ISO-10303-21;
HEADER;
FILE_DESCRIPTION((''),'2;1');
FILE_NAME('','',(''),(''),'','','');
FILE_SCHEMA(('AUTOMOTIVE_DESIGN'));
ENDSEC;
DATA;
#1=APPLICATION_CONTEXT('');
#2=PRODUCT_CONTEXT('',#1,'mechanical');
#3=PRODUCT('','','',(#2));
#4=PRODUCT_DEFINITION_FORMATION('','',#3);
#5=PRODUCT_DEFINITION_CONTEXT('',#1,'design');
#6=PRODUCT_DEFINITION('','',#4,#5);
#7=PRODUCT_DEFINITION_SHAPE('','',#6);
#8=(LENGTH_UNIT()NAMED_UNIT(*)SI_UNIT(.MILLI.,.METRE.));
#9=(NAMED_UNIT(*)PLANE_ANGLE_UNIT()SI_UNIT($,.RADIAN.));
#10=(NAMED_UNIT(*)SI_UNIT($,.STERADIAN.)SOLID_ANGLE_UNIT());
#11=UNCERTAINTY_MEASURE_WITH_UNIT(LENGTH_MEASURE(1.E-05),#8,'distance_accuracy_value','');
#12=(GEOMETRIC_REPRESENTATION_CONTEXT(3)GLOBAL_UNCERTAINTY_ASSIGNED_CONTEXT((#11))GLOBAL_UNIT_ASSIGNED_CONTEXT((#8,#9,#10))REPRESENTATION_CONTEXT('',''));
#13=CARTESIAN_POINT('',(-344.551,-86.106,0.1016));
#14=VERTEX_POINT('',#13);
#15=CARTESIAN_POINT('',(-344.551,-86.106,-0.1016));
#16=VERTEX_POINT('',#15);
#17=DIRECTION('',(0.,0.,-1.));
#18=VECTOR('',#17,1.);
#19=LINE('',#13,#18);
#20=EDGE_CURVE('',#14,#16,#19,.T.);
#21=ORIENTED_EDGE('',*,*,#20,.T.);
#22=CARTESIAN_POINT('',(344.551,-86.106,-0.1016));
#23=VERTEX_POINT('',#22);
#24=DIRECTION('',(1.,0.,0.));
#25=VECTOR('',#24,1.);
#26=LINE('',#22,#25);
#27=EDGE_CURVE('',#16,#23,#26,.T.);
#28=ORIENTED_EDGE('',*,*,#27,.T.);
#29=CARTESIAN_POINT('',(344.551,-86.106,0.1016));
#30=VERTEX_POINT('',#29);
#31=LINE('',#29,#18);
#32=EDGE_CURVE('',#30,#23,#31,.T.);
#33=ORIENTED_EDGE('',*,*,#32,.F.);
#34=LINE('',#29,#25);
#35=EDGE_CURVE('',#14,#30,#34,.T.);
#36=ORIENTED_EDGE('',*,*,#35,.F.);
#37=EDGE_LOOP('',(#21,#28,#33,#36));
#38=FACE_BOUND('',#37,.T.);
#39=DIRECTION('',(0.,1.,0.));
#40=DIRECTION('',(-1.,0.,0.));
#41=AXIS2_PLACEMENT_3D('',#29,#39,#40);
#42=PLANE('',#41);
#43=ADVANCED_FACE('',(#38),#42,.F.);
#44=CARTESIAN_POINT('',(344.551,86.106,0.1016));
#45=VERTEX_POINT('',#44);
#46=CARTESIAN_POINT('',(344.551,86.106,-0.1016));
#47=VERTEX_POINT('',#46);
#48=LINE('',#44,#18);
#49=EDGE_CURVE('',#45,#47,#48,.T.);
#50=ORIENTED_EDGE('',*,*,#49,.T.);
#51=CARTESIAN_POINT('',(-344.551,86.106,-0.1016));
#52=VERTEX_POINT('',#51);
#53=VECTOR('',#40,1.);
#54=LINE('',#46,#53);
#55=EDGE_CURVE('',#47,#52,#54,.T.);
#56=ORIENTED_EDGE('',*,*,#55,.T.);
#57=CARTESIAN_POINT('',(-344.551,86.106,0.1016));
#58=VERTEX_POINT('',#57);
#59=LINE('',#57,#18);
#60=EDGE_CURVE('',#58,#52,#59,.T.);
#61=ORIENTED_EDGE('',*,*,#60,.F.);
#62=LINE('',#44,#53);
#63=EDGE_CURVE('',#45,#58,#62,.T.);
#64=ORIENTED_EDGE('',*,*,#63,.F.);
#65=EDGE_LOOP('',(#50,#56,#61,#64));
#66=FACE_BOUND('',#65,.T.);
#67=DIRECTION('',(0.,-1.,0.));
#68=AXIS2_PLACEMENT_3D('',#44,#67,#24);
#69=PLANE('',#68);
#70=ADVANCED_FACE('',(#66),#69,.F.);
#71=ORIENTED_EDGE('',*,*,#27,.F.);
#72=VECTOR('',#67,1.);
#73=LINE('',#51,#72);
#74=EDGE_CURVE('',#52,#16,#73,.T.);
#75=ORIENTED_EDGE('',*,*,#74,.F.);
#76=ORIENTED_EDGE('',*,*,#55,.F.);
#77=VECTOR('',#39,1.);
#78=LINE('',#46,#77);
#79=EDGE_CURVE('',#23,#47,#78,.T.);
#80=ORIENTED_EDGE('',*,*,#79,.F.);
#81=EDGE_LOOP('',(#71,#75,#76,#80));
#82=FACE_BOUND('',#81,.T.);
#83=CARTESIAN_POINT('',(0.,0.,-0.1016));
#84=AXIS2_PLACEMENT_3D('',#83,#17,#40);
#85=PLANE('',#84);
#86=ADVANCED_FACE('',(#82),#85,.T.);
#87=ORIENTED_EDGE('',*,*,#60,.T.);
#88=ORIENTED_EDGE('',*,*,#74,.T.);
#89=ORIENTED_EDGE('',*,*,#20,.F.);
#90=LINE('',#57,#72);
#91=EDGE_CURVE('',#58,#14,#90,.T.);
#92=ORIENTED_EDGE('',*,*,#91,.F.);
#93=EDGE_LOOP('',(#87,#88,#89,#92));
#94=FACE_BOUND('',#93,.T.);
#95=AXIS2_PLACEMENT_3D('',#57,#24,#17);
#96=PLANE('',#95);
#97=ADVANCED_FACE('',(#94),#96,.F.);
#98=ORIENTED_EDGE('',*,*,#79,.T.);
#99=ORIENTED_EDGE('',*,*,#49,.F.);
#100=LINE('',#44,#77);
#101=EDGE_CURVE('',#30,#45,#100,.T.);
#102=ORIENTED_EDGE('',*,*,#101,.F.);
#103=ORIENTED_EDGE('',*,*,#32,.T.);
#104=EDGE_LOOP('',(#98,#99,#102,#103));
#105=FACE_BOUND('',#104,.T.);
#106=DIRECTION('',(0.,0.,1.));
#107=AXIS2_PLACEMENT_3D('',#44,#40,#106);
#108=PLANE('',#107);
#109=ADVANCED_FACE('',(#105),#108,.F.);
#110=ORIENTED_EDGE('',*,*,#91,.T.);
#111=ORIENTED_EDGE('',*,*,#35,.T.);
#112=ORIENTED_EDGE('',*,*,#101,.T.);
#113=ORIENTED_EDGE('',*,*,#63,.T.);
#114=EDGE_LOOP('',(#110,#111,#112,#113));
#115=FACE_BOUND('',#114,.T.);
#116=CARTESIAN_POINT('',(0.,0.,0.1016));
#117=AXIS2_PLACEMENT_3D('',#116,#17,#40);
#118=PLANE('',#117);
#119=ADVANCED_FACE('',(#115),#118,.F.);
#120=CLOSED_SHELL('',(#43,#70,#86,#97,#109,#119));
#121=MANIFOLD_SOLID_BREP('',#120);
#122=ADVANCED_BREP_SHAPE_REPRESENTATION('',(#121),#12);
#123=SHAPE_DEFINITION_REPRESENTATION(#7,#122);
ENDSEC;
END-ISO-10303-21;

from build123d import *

# Parameters (mm, degrees)
SKETCH1_W           = 689.102
SKETCH1_H           = 172.212
BOSS_EXTRUDE1_DEPTH = 0.1016


with BuildPart() as part:
    # Sketch1 → Boss-Extrude1 (new body, symmetric)
    with BuildSketch(Plane.XY):
        Rectangle(SKETCH1_W, SKETCH1_H)
    extrude(amount=BOSS_EXTRUDE1_DEPTH, both=True)


solid = part.part
